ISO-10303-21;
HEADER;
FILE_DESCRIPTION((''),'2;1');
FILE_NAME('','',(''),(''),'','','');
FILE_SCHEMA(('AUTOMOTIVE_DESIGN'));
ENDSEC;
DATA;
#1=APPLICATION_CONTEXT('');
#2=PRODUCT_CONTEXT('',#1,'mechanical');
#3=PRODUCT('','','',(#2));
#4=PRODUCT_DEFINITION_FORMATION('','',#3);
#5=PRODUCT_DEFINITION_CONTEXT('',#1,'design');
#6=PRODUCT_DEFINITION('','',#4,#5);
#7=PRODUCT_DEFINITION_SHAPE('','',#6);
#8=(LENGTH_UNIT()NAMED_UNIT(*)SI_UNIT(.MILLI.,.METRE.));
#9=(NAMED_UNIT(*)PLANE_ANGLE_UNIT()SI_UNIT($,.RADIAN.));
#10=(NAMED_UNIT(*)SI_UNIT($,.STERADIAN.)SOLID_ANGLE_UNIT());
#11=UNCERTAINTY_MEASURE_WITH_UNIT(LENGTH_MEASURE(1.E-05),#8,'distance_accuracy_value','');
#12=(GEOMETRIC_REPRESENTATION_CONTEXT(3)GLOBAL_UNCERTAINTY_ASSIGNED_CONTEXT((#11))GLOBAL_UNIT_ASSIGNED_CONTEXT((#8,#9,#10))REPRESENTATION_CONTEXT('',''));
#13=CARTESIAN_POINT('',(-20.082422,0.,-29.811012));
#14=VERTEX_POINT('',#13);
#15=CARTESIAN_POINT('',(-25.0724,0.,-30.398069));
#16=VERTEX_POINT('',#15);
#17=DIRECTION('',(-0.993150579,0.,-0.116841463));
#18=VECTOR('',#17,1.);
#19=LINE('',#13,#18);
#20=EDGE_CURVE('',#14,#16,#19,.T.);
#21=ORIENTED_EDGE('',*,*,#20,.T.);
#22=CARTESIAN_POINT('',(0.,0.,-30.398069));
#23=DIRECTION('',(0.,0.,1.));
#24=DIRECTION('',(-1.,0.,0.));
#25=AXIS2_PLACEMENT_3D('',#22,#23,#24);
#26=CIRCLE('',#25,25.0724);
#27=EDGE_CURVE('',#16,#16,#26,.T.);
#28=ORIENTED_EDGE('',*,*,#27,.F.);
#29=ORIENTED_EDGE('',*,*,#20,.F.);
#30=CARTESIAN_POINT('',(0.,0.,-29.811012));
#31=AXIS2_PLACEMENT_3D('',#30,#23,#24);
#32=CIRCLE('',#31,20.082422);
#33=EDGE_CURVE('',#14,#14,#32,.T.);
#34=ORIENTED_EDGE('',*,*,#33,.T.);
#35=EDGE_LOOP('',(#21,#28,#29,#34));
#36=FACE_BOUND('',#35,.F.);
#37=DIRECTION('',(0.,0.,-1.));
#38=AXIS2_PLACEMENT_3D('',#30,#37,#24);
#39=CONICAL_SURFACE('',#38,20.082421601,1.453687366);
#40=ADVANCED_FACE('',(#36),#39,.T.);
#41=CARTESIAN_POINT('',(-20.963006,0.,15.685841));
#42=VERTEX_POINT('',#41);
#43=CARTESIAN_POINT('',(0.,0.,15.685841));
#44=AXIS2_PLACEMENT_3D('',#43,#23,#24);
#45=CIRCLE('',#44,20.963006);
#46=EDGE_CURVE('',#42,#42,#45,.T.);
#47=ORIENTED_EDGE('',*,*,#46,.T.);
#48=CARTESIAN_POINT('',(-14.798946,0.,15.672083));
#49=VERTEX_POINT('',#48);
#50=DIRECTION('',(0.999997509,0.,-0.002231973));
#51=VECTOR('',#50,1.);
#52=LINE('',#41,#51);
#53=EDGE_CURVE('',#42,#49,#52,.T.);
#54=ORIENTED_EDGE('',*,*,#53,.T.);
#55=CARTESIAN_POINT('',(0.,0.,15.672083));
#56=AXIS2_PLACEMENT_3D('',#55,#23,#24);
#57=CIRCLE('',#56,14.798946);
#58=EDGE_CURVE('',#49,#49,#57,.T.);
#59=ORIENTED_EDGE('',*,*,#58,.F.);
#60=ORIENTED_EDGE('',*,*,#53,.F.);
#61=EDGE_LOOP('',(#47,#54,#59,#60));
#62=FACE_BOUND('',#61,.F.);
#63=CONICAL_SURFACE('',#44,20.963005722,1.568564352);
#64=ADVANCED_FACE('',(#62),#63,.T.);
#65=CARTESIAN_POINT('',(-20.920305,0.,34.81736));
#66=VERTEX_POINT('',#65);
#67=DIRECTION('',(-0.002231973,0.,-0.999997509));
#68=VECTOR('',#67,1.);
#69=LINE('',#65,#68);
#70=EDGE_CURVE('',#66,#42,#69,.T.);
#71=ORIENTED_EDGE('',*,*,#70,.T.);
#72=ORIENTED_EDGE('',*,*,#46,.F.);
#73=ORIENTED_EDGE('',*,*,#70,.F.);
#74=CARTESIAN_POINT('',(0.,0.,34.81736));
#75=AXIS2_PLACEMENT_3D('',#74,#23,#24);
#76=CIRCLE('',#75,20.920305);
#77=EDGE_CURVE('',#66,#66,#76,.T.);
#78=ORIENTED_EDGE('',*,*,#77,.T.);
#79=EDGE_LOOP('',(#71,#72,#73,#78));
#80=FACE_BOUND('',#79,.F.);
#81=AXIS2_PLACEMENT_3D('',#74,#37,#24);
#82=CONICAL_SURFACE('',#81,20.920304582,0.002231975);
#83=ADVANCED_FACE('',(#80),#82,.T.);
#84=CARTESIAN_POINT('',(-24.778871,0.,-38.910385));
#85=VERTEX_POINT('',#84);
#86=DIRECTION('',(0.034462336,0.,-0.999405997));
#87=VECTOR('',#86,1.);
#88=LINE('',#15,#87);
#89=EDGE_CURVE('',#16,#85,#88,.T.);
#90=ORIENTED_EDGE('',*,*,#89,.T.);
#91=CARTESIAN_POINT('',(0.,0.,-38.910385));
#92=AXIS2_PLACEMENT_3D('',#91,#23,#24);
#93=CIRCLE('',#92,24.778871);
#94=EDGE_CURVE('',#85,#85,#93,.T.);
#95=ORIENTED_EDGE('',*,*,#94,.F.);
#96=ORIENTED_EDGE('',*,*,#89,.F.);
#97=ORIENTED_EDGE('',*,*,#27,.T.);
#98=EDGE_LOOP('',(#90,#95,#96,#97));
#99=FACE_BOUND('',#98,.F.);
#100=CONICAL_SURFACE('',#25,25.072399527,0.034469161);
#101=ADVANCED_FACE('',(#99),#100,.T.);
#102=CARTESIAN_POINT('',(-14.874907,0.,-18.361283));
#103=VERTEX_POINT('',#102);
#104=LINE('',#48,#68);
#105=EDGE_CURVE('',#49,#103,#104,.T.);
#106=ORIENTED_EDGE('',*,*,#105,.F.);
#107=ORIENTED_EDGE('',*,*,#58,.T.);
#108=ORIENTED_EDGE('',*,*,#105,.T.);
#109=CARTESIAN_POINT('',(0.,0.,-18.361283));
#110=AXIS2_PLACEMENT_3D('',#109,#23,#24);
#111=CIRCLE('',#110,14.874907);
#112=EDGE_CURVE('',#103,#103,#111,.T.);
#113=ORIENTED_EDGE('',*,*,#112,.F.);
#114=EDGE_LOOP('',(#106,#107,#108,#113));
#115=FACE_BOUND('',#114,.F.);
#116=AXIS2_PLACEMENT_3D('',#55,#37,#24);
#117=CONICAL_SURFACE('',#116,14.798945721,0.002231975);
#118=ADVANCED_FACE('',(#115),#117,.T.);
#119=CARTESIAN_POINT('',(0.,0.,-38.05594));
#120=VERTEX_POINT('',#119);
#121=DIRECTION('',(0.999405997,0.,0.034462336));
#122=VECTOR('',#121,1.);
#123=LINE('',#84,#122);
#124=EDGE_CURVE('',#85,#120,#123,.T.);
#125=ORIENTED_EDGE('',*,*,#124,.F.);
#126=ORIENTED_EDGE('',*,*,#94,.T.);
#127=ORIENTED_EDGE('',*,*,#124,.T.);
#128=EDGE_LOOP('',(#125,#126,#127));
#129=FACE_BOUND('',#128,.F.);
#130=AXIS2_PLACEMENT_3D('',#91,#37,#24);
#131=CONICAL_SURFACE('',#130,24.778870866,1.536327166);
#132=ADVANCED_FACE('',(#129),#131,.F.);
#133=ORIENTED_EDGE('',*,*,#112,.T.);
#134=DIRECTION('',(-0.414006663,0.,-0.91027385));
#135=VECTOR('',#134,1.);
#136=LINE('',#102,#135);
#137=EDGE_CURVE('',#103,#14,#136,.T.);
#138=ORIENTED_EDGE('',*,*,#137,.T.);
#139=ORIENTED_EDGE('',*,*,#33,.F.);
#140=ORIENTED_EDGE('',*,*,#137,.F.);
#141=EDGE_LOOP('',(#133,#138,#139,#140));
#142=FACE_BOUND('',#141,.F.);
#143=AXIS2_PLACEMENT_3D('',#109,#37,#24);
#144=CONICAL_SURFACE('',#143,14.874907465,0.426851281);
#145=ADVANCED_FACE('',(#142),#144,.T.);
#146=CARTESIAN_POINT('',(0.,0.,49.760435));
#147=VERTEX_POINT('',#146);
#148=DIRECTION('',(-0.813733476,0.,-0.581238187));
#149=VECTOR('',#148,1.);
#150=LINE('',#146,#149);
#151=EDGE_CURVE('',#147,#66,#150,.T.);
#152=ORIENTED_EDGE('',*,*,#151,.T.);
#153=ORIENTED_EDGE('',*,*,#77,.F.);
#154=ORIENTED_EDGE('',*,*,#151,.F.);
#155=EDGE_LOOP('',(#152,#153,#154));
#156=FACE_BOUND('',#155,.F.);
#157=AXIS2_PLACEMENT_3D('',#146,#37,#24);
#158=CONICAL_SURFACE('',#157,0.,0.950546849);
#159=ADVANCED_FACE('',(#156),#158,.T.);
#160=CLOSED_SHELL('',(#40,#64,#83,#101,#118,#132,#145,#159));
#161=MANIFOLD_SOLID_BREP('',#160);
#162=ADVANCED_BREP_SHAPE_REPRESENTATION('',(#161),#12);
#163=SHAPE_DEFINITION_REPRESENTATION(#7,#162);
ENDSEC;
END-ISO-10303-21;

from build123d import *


with BuildPart() as f1:
    # F0 (on Front) → F1 (revolve)
    with BuildSketch(Plane.XZ):
        Polygon((0, 34.8173603415), (0, 49.7604347765), (-20.9203045815, 34.8173603415), align=None)
        Polygon((0, 34.8173603415), (-20.9203045815, 34.8173603415), (-20.9630057216, 15.6858414412), (-14.7989457213, 15.6720833914), (0, 15.6390524618), align=None)
        Polygon((0, -38.0559399025), (0, 15.6390524618), (-14.7989457213, 15.6720833914), (-14.8749074655, -18.3612829992), (-20.0824216008, -29.8110116273), (-25.0723995268, -30.3980689496), (-24.7788708657, -38.9103852212), align=None)
    revolve(axis=Axis((0, 0, -11.2084437204), (0, 0, 1)))


solid = f1.part
